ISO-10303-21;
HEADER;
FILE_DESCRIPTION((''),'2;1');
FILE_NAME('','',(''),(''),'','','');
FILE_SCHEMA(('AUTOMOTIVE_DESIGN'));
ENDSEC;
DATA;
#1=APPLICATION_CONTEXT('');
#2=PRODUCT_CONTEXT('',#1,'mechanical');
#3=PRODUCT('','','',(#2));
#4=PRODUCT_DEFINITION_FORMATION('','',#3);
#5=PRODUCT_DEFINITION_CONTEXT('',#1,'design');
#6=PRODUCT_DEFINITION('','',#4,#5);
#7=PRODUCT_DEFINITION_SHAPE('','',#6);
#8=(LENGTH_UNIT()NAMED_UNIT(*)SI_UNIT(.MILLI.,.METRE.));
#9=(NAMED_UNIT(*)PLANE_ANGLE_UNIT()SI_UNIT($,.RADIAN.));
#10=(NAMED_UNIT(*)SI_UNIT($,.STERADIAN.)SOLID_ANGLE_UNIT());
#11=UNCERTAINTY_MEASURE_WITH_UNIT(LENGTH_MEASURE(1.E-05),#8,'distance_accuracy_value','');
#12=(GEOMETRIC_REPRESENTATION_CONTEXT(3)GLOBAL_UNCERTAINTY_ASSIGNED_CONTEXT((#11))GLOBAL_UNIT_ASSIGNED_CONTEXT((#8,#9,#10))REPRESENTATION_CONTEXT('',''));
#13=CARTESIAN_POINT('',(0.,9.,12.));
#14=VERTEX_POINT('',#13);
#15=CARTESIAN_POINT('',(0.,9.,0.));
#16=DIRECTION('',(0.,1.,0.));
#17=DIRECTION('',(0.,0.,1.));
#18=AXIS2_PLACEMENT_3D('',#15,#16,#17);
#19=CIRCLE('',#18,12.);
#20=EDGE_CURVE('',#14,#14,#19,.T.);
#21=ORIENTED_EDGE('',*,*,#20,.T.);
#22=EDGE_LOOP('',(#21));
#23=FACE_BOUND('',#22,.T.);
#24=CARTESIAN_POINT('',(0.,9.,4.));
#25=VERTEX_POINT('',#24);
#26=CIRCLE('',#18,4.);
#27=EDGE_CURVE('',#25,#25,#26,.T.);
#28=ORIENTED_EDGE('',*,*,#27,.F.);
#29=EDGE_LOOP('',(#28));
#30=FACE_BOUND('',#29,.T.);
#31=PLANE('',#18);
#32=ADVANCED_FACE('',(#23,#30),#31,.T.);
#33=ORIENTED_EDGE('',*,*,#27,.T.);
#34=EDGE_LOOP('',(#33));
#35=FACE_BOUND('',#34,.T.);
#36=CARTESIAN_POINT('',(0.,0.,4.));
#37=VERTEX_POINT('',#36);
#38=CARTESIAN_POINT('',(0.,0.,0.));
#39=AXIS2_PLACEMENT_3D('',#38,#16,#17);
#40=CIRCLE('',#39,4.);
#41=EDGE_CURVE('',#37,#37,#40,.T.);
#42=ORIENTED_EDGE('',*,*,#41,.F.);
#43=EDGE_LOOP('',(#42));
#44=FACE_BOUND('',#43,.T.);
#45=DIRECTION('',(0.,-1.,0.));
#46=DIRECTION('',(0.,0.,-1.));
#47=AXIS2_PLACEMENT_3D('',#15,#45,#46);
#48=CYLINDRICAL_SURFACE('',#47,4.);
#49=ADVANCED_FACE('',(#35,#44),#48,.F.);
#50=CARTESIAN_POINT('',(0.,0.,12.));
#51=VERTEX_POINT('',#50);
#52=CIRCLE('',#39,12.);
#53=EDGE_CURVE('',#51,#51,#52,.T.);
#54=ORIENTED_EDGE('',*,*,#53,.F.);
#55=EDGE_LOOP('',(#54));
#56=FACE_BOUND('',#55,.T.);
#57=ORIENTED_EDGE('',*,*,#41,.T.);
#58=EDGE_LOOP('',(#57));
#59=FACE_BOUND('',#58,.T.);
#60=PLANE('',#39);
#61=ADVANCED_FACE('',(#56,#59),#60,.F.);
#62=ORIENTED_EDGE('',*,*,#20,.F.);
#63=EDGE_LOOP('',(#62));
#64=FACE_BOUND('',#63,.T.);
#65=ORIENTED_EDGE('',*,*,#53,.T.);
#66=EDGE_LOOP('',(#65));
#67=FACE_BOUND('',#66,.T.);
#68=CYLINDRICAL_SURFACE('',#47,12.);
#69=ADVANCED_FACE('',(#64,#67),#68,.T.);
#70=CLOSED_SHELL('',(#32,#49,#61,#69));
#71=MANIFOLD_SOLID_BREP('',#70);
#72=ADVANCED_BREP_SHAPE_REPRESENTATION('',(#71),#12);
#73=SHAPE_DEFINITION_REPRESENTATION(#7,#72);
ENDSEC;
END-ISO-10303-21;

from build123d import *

# Parameters (mm, degrees)
CROQUIS1_R              = 12
CROQUIS1_R_2            = 4
SALIENTE_EXTRUIR1_DEPTH = 9


with BuildPart() as part:
    # Croquis1 → Saliente-Extruir1 (new body)
    with BuildSketch(Plane(origin=(0, 0, 0), x_dir=(1, 0, 0), z_dir=(0, 1, 0))):
        Circle(CROQUIS1_R)
        Circle(CROQUIS1_R_2, mode=Mode.SUBTRACT)
    extrude(amount=SALIENTE_EXTRUIR1_DEPTH)


solid = part.part
